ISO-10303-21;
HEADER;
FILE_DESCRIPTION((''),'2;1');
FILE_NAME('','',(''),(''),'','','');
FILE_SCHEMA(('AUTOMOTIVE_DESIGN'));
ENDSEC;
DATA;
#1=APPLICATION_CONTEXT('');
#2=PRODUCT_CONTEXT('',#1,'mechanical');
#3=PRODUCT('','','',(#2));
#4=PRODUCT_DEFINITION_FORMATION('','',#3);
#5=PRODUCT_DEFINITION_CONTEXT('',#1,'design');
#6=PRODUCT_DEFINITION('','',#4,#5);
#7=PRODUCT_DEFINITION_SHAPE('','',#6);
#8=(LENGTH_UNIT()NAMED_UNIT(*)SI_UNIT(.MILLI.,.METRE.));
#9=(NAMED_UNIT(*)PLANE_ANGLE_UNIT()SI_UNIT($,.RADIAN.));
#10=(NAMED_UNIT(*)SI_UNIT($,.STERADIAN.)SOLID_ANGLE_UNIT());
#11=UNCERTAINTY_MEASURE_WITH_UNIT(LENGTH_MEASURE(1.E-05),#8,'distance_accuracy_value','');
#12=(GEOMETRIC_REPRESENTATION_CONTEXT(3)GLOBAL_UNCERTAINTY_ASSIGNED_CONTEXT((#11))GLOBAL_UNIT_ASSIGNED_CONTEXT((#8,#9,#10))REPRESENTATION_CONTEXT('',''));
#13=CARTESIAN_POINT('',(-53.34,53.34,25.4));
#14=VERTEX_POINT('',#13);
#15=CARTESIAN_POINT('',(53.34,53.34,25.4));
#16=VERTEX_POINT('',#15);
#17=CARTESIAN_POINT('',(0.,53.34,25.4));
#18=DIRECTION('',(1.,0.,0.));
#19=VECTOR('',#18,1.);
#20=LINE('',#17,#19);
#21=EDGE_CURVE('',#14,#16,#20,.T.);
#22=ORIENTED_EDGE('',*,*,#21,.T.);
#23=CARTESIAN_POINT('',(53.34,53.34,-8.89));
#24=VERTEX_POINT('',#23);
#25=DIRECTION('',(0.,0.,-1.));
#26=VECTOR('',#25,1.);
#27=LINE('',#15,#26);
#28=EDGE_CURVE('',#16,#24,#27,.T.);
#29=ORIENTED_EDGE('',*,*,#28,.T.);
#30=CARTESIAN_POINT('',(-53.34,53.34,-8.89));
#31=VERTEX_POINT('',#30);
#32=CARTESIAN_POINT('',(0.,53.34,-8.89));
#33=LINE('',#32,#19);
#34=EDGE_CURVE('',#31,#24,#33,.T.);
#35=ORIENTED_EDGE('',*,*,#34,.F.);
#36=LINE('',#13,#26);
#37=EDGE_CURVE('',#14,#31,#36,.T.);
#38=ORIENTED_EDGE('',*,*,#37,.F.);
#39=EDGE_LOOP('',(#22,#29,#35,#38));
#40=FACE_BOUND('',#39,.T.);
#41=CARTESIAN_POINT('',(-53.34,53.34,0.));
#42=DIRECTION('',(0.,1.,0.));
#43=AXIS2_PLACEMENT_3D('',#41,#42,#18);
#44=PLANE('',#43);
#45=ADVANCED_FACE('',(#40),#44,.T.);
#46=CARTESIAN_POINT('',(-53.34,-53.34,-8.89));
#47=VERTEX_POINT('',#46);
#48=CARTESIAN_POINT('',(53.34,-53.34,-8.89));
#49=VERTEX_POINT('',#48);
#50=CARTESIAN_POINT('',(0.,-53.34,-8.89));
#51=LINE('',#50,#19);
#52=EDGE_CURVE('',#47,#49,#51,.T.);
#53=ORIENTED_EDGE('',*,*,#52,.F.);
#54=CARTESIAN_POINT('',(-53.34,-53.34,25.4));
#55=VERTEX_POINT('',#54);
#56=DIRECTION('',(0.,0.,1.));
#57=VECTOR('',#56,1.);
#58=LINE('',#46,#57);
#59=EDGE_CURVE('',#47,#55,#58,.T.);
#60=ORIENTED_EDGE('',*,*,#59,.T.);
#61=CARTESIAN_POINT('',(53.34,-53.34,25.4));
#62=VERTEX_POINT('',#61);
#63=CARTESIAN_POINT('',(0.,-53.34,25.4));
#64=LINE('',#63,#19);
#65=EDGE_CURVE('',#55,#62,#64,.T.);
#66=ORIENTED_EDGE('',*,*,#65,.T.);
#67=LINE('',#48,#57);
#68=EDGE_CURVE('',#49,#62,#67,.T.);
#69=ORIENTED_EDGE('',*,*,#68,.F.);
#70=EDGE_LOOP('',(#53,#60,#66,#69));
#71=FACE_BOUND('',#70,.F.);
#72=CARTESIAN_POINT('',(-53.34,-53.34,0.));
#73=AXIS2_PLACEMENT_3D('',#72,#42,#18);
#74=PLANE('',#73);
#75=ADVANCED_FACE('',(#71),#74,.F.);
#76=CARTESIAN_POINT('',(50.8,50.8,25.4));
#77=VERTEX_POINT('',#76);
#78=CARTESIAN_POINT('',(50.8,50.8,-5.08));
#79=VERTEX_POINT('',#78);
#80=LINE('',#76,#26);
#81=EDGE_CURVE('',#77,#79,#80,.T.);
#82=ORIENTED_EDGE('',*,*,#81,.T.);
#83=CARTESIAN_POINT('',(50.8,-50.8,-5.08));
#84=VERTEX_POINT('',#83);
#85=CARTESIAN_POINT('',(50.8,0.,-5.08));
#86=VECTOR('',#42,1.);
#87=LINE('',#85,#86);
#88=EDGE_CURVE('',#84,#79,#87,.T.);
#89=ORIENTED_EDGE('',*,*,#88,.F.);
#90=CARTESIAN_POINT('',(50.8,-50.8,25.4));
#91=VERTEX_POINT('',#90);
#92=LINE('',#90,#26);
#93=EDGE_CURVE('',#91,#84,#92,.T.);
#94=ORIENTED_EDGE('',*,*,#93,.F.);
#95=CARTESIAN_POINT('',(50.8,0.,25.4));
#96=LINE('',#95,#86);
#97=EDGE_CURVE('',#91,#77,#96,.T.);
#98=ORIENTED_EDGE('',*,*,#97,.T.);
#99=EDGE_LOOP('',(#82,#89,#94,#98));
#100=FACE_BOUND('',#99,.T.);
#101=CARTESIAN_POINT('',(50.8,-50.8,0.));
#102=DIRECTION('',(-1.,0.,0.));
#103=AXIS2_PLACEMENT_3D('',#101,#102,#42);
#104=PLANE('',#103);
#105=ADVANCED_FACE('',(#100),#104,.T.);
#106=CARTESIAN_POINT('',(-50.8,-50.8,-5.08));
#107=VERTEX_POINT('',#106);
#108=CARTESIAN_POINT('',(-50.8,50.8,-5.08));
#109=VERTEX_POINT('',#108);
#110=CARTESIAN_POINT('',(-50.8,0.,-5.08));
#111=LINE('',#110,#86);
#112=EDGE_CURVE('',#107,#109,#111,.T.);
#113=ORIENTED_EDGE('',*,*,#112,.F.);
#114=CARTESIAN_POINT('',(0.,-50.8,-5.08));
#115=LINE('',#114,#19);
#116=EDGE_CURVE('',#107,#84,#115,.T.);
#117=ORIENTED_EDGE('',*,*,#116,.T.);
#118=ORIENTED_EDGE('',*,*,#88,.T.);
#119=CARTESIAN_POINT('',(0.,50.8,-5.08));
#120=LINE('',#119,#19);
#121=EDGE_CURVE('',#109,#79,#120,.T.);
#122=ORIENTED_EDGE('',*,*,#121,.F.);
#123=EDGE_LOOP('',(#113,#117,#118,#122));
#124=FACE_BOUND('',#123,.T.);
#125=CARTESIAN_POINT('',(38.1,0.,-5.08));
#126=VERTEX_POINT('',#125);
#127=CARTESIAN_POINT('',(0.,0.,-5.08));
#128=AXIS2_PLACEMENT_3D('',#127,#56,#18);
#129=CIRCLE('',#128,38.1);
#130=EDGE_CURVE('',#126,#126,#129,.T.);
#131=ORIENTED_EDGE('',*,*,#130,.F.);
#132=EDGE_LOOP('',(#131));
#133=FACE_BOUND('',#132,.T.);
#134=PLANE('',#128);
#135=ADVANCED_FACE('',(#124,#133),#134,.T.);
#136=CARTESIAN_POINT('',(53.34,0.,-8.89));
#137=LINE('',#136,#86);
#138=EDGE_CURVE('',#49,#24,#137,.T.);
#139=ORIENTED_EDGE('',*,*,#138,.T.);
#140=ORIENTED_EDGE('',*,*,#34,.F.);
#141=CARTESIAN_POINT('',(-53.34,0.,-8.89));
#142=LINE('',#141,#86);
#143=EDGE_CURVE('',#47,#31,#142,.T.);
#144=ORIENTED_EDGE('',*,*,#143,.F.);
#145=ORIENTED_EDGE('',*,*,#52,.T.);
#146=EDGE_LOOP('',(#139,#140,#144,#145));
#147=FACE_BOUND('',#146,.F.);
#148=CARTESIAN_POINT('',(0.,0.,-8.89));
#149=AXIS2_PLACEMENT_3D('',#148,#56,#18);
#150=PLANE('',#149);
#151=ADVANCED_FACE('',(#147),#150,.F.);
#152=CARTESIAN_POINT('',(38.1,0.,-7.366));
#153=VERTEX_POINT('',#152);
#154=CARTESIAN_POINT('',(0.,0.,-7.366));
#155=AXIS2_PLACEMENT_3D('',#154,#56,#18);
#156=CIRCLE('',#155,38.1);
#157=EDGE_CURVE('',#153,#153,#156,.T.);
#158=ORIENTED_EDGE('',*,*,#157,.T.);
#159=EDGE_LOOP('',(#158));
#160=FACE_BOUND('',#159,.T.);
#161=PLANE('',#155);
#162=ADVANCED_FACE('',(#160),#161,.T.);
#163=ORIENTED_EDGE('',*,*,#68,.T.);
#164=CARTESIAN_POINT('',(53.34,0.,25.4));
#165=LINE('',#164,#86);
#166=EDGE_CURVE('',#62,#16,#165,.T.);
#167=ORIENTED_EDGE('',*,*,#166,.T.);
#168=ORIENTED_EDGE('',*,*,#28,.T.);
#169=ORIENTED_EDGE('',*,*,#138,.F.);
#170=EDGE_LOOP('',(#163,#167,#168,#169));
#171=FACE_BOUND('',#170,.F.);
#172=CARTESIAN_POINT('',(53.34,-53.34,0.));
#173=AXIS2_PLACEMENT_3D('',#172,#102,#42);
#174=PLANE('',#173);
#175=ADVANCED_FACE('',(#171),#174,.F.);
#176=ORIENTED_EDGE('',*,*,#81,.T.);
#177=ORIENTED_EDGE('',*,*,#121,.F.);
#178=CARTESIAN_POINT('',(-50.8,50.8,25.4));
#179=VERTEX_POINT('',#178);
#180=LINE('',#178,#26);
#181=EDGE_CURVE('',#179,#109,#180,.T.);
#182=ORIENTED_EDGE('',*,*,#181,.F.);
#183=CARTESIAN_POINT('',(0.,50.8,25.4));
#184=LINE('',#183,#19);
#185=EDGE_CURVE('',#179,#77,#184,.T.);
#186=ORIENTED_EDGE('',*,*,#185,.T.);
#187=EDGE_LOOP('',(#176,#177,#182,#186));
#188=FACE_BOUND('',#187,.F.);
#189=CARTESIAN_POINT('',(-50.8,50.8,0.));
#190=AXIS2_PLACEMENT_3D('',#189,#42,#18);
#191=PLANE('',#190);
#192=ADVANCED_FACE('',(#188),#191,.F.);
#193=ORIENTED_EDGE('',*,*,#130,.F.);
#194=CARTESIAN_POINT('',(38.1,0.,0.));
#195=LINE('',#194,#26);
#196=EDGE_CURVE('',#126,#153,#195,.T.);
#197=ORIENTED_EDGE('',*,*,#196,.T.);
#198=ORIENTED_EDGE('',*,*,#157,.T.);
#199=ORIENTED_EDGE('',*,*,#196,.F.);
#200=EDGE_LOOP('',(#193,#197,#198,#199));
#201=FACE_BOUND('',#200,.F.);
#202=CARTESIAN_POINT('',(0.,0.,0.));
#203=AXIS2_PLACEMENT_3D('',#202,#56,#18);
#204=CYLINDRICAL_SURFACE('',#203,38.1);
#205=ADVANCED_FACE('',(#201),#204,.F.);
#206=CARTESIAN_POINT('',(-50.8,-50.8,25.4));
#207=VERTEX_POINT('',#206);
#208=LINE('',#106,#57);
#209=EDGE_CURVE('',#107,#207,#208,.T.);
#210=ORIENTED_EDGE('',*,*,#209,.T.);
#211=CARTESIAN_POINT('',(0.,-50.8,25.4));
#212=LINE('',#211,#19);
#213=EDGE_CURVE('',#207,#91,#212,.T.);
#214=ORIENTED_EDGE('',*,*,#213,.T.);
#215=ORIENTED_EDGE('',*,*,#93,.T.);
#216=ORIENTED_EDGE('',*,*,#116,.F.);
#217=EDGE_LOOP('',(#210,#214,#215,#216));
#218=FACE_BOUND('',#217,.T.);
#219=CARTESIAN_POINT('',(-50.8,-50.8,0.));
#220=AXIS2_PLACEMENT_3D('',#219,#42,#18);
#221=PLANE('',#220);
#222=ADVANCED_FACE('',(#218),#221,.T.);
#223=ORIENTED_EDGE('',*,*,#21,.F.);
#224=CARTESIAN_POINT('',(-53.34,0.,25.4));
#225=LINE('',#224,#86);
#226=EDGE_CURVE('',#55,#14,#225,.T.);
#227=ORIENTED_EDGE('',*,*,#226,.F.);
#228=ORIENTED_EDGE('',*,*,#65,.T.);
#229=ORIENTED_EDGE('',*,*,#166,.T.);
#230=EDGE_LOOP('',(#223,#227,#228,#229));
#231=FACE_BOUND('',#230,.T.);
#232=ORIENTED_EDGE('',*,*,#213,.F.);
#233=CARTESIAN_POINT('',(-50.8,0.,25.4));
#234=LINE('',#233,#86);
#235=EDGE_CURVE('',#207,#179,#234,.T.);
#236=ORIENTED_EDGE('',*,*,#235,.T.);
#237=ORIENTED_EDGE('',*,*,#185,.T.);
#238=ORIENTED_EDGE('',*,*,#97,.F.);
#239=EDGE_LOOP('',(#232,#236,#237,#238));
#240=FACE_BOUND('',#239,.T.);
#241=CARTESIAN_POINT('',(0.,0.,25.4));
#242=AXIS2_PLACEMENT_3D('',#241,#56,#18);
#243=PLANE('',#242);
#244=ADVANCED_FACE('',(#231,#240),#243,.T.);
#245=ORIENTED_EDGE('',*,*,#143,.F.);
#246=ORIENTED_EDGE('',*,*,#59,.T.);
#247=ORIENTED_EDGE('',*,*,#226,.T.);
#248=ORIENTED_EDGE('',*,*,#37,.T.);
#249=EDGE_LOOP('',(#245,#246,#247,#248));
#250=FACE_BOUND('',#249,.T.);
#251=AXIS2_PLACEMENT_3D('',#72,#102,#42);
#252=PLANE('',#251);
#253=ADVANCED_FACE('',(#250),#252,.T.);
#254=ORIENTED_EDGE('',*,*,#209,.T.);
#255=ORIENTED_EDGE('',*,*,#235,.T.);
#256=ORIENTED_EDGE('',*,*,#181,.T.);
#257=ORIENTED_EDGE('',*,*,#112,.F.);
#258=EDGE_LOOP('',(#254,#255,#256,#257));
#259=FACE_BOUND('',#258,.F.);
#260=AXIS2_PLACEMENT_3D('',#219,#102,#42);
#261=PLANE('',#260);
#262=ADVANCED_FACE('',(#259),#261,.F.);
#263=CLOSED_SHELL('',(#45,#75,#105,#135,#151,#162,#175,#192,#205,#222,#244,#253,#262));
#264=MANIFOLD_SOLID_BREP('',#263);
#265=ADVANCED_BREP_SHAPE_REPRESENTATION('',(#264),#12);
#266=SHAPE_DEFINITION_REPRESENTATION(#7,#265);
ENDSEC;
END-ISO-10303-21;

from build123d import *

# Parameters (mm, degrees)
F0_W        = 106.68
F0_H        = 106.68
F0_W_2      = 101.6
F0_H_2      = 101.6
F0_R        = 38.1
F1_DEPTH    = 8.89
F2_DEPTH    = 5.08
F3_DEPTH    = 7.366
F2_FACE_W   = 106.68
F2_FACE_H   = 106.68
F2_FACE_W_2 = 101.6
F2_FACE_H_2 = 101.6
F4_DEPTH    = 25.4


with BuildPart() as f1:
    # F0 (on Top) → F1 (new body)
    with BuildSketch(Plane.XY):
        Rectangle(F0_W, F0_H)
        Rectangle(F0_W_2, F0_H_2, mode=Mode.SUBTRACT)
        Rectangle(F0_W_2, F0_H_2)
        Circle(F0_R, mode=Mode.SUBTRACT)
        Circle(F0_R)
    extrude(amount=-F1_DEPTH)

    # F0 (on Top) → F2 (cut)
    with BuildSketch(Plane.XY):
        Rectangle(F0_W_2, F0_H_2)
        Circle(F0_R, mode=Mode.SUBTRACT)
    extrude(amount=-F2_DEPTH, mode=Mode.SUBTRACT)

    # F0 (on Top) → F3 (cut)
    with BuildSketch(Plane.XY):
        Circle(F0_R)
    extrude(amount=-F3_DEPTH, mode=Mode.SUBTRACT)

    # F2_face (on face) → F4 (join)
    with BuildSketch(Plane.XY):
        Rectangle(F2_FACE_W, F2_FACE_H)
        Rectangle(F2_FACE_W_2, F2_FACE_H_2, mode=Mode.SUBTRACT)
    extrude(amount=F4_DEPTH)


solid = f1.part
